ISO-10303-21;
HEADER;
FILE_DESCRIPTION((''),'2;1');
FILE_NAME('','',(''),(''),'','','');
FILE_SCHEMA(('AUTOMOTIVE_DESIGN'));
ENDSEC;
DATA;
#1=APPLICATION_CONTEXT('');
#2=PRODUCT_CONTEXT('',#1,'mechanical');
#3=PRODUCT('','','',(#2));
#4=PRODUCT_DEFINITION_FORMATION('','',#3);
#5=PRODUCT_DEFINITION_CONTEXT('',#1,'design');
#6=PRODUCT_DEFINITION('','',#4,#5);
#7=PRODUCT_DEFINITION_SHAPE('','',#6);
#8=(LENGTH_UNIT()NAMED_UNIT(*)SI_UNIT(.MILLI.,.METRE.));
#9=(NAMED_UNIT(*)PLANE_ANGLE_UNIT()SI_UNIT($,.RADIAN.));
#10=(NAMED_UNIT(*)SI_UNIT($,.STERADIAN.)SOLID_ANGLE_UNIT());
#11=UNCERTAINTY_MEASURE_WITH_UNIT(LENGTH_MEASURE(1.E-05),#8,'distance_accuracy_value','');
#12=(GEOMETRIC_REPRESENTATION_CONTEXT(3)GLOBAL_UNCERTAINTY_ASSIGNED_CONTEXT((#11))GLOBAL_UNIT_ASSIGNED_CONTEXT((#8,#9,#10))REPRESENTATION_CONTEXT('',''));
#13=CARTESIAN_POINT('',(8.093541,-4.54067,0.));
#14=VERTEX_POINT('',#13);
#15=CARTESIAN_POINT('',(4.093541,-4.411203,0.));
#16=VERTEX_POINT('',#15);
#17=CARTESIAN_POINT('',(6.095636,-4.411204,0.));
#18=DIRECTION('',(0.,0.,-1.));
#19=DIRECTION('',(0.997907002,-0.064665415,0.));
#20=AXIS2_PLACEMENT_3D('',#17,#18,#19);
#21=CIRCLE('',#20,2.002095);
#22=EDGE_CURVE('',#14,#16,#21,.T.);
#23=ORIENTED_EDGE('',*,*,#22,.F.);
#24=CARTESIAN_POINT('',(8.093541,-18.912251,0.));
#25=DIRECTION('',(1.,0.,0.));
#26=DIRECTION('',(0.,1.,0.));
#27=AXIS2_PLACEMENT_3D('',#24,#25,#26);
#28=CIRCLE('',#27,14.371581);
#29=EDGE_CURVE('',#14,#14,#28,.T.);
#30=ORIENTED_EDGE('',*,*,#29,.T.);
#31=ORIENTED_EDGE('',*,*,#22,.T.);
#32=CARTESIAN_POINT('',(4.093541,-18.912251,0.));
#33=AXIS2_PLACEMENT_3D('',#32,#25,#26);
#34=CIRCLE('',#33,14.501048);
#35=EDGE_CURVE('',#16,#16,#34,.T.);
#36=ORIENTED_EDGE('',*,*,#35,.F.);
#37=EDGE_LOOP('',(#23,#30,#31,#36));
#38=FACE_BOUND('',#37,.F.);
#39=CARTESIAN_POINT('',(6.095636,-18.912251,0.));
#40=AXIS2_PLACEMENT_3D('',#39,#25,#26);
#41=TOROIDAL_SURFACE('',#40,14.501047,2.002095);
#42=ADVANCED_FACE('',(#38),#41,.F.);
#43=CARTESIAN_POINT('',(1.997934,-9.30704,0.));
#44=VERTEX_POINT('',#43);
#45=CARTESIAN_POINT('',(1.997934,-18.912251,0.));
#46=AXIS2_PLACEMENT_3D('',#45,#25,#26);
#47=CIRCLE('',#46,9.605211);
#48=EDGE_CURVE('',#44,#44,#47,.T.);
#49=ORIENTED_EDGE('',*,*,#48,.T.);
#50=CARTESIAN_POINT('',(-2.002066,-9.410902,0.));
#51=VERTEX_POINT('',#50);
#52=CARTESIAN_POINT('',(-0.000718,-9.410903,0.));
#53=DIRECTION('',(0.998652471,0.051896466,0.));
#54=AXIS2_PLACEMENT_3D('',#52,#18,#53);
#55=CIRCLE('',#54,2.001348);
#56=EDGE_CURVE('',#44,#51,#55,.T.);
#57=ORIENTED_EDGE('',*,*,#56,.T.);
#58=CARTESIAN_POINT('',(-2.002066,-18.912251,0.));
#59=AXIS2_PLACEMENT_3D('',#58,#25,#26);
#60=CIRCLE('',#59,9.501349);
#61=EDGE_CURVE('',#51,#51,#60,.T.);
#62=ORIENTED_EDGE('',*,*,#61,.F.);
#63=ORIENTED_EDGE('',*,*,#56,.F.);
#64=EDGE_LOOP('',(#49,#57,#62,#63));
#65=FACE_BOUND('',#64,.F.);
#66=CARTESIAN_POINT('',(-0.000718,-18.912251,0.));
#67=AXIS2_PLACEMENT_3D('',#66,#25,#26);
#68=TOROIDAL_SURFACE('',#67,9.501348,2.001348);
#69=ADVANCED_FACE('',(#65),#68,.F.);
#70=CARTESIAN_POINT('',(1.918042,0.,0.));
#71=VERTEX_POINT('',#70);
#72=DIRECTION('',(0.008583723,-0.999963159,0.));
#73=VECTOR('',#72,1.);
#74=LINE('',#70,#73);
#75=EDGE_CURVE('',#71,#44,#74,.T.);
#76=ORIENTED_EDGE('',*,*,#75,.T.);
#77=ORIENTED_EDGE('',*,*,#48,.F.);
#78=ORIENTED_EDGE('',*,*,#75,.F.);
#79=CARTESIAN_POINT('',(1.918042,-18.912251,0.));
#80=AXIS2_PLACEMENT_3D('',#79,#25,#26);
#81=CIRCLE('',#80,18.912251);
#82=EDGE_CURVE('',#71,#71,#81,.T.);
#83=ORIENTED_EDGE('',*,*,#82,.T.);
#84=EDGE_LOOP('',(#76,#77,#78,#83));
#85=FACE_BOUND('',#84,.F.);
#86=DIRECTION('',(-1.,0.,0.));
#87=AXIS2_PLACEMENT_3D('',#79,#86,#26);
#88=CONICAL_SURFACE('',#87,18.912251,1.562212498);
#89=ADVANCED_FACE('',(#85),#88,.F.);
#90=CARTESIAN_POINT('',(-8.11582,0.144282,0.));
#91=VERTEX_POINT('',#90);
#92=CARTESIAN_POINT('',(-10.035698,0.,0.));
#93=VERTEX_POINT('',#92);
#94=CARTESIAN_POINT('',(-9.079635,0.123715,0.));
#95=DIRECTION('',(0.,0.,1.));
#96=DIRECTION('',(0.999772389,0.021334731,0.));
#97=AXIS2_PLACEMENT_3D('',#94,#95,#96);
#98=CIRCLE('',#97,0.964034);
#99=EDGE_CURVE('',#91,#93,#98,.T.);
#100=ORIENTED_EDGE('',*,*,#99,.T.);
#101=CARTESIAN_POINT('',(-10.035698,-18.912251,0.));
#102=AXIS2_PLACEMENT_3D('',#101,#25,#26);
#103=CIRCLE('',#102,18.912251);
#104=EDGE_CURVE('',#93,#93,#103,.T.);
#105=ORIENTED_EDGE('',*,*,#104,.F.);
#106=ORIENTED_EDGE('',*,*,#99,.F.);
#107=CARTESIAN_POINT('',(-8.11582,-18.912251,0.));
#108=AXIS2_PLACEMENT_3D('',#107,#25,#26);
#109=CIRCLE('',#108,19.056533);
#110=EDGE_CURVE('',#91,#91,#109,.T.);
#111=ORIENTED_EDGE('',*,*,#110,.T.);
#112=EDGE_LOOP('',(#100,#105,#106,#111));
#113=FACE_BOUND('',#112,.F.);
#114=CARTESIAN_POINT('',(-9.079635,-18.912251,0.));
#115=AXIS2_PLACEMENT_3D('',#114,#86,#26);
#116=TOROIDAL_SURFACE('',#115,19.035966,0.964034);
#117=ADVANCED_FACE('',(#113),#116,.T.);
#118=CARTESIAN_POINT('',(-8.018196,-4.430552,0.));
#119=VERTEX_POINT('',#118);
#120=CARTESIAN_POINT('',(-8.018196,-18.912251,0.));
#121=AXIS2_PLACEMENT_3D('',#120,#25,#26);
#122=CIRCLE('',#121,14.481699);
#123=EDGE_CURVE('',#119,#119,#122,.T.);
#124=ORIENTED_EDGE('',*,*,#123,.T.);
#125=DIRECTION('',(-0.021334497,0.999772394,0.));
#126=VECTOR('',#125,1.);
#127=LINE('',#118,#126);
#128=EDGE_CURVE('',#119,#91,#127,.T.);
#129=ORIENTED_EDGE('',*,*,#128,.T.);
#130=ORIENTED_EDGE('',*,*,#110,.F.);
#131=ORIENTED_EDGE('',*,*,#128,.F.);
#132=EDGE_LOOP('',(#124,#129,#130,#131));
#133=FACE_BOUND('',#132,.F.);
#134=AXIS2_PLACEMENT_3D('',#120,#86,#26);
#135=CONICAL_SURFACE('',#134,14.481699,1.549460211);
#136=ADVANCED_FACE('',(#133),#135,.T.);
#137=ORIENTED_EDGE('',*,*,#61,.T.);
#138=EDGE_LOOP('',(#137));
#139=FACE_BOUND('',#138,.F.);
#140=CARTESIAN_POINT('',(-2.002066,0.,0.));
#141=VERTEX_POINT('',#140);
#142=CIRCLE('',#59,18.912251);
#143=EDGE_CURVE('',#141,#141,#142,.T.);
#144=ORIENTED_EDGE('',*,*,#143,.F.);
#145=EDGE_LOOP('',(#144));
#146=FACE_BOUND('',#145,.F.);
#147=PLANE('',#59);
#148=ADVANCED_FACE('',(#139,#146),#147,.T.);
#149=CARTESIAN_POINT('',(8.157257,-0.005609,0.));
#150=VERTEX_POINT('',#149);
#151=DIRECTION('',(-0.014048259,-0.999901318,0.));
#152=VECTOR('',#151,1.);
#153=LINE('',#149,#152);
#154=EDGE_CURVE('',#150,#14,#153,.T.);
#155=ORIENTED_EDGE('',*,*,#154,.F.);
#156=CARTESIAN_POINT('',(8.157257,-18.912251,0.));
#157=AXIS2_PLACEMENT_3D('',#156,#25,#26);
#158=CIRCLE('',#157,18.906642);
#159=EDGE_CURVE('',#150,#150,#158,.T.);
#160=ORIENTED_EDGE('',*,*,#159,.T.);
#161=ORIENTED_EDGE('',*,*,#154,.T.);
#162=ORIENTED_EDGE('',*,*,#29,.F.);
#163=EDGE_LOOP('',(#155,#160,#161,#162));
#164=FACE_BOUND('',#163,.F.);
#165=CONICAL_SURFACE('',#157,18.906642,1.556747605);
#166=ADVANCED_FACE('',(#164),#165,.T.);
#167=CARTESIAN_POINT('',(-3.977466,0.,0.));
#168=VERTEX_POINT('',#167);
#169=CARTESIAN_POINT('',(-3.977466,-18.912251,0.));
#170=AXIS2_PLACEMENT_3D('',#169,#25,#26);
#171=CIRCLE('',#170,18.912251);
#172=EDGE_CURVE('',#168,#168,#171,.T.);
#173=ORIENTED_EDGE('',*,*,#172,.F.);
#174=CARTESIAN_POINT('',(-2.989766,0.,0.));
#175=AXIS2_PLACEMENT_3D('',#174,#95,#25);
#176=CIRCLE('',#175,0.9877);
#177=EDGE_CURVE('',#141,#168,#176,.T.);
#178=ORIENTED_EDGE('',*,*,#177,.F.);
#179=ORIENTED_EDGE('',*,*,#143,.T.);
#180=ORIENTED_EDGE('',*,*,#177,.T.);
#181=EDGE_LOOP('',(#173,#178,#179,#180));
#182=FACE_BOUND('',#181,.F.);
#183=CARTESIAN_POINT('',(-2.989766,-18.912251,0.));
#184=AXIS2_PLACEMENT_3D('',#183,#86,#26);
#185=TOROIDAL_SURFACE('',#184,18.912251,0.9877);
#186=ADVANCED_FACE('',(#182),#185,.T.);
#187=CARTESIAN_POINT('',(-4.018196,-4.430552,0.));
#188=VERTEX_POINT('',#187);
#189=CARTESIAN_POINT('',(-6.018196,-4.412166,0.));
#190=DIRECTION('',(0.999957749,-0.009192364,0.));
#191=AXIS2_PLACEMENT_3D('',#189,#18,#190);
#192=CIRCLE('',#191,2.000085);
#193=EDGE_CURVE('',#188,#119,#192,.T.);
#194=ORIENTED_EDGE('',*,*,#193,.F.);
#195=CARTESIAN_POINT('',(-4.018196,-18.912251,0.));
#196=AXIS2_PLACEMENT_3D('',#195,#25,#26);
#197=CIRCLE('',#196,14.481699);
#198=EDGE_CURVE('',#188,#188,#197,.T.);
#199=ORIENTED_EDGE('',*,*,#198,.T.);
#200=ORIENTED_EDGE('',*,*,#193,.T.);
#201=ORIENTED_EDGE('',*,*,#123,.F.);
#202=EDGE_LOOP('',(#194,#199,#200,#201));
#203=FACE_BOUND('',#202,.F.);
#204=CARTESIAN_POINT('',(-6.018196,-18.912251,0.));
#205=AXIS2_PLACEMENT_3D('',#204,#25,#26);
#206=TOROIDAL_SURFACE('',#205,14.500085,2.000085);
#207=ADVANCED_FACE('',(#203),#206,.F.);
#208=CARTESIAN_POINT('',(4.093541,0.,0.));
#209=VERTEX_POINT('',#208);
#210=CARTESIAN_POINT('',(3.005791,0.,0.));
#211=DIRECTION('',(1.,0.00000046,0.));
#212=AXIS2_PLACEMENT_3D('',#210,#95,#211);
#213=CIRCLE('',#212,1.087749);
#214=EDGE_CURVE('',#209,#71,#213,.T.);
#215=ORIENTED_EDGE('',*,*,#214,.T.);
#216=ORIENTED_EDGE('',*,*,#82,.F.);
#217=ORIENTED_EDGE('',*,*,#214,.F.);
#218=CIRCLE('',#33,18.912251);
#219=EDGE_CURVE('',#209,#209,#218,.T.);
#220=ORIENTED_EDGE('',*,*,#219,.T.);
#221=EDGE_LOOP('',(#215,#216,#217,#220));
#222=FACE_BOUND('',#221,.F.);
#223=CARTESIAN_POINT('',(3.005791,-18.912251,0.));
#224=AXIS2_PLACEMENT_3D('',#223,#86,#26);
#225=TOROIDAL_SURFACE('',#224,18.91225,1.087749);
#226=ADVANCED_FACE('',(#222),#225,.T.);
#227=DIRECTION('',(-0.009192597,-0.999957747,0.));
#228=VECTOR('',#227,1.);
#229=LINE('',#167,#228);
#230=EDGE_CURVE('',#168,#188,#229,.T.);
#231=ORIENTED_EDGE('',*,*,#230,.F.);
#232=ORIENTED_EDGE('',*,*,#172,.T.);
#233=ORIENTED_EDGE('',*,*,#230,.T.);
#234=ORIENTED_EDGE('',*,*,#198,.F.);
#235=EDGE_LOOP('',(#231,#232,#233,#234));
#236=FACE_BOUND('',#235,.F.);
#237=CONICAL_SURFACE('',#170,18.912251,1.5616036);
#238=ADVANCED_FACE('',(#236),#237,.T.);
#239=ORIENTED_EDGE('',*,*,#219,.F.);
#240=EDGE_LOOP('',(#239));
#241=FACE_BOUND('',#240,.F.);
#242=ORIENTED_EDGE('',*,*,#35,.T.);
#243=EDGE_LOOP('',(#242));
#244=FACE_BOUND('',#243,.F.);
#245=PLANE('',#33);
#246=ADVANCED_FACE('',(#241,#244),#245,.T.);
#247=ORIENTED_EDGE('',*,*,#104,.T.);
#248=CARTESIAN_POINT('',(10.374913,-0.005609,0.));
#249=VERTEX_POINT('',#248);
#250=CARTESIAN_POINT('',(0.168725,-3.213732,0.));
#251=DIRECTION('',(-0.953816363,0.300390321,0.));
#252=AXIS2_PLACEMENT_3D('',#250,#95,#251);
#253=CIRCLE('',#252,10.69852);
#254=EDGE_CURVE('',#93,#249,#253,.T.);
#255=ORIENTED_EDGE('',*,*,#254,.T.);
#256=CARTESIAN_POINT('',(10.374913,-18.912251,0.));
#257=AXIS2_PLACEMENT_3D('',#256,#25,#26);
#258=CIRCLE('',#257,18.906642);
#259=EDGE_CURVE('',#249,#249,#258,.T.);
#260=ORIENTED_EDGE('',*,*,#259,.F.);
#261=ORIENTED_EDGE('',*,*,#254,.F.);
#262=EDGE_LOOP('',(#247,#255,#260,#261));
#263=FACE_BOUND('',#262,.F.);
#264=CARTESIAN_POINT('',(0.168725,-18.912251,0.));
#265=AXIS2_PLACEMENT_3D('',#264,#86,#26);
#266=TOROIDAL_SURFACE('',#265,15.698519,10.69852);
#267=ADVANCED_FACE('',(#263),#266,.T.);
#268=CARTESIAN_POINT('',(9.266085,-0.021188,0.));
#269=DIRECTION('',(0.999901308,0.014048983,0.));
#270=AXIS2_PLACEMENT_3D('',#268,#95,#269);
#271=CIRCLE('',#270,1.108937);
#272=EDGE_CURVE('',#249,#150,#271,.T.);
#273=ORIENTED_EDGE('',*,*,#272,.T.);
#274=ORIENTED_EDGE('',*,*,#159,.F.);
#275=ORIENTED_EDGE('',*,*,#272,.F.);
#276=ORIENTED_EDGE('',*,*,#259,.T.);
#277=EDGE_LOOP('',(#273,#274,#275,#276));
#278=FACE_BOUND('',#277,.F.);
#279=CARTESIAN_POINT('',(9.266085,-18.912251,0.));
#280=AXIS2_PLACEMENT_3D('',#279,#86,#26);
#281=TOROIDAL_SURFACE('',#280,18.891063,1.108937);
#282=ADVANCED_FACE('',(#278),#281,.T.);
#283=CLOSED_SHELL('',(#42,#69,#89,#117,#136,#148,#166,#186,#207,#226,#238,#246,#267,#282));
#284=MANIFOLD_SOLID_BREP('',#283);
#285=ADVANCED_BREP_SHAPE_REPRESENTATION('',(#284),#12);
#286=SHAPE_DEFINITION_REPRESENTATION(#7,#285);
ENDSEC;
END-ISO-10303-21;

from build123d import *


with BuildPart() as f1:
    # F0 (on Top) → F1 (revolve)
    with BuildSketch(Plane.XY):
        with BuildLine():
            Line((-8.018196, -4.430552), (-8.11582, 0.144282))
            ThreePointArc((-8.11582, 0.144282), (-9.15188, 1.085038), (-10.035698, 0))
            ThreePointArc((-10.035698, 0), (0.165785, -13.912251), (10.374913, -0.005609))
            ThreePointArc((10.374913, -0.005609), (9.266085, 1.087749), (8.157257, -0.005609))
            Line((8.157257, -0.005609), (8.093541, -4.54067))
            ThreePointArc((8.093541, -4.54067), (6.030869, -6.412251), (4.093541, -4.411203))
            Line((4.093541, -4.411203), (4.093541, 0))
            ThreePointArc((4.093541, 0), (3.005792, 1.087749), (1.918042, 0))
            Line((1.918042, 0), (1.997934, -9.30704))
            ThreePointArc((1.997934, -9.30704), (0.051232, -11.411577), (-2.002066, -9.410902))
            Line((-2.002066, -9.410902), (-2.002066, 0))
            ThreePointArc((-2.002066, 0), (-2.989766, 0.9877), (-3.977466, 0))
            Line((-3.977466, 0), (-4.018196, -4.430552))
            ThreePointArc((-4.018196, -4.430552), (-6.018196, -6.412251), (-8.018196, -4.430552))
        make_face()
    revolve(axis=Axis((2.030838, -18.912251, 0), (1, 0, 0)))


solid = f1.part
